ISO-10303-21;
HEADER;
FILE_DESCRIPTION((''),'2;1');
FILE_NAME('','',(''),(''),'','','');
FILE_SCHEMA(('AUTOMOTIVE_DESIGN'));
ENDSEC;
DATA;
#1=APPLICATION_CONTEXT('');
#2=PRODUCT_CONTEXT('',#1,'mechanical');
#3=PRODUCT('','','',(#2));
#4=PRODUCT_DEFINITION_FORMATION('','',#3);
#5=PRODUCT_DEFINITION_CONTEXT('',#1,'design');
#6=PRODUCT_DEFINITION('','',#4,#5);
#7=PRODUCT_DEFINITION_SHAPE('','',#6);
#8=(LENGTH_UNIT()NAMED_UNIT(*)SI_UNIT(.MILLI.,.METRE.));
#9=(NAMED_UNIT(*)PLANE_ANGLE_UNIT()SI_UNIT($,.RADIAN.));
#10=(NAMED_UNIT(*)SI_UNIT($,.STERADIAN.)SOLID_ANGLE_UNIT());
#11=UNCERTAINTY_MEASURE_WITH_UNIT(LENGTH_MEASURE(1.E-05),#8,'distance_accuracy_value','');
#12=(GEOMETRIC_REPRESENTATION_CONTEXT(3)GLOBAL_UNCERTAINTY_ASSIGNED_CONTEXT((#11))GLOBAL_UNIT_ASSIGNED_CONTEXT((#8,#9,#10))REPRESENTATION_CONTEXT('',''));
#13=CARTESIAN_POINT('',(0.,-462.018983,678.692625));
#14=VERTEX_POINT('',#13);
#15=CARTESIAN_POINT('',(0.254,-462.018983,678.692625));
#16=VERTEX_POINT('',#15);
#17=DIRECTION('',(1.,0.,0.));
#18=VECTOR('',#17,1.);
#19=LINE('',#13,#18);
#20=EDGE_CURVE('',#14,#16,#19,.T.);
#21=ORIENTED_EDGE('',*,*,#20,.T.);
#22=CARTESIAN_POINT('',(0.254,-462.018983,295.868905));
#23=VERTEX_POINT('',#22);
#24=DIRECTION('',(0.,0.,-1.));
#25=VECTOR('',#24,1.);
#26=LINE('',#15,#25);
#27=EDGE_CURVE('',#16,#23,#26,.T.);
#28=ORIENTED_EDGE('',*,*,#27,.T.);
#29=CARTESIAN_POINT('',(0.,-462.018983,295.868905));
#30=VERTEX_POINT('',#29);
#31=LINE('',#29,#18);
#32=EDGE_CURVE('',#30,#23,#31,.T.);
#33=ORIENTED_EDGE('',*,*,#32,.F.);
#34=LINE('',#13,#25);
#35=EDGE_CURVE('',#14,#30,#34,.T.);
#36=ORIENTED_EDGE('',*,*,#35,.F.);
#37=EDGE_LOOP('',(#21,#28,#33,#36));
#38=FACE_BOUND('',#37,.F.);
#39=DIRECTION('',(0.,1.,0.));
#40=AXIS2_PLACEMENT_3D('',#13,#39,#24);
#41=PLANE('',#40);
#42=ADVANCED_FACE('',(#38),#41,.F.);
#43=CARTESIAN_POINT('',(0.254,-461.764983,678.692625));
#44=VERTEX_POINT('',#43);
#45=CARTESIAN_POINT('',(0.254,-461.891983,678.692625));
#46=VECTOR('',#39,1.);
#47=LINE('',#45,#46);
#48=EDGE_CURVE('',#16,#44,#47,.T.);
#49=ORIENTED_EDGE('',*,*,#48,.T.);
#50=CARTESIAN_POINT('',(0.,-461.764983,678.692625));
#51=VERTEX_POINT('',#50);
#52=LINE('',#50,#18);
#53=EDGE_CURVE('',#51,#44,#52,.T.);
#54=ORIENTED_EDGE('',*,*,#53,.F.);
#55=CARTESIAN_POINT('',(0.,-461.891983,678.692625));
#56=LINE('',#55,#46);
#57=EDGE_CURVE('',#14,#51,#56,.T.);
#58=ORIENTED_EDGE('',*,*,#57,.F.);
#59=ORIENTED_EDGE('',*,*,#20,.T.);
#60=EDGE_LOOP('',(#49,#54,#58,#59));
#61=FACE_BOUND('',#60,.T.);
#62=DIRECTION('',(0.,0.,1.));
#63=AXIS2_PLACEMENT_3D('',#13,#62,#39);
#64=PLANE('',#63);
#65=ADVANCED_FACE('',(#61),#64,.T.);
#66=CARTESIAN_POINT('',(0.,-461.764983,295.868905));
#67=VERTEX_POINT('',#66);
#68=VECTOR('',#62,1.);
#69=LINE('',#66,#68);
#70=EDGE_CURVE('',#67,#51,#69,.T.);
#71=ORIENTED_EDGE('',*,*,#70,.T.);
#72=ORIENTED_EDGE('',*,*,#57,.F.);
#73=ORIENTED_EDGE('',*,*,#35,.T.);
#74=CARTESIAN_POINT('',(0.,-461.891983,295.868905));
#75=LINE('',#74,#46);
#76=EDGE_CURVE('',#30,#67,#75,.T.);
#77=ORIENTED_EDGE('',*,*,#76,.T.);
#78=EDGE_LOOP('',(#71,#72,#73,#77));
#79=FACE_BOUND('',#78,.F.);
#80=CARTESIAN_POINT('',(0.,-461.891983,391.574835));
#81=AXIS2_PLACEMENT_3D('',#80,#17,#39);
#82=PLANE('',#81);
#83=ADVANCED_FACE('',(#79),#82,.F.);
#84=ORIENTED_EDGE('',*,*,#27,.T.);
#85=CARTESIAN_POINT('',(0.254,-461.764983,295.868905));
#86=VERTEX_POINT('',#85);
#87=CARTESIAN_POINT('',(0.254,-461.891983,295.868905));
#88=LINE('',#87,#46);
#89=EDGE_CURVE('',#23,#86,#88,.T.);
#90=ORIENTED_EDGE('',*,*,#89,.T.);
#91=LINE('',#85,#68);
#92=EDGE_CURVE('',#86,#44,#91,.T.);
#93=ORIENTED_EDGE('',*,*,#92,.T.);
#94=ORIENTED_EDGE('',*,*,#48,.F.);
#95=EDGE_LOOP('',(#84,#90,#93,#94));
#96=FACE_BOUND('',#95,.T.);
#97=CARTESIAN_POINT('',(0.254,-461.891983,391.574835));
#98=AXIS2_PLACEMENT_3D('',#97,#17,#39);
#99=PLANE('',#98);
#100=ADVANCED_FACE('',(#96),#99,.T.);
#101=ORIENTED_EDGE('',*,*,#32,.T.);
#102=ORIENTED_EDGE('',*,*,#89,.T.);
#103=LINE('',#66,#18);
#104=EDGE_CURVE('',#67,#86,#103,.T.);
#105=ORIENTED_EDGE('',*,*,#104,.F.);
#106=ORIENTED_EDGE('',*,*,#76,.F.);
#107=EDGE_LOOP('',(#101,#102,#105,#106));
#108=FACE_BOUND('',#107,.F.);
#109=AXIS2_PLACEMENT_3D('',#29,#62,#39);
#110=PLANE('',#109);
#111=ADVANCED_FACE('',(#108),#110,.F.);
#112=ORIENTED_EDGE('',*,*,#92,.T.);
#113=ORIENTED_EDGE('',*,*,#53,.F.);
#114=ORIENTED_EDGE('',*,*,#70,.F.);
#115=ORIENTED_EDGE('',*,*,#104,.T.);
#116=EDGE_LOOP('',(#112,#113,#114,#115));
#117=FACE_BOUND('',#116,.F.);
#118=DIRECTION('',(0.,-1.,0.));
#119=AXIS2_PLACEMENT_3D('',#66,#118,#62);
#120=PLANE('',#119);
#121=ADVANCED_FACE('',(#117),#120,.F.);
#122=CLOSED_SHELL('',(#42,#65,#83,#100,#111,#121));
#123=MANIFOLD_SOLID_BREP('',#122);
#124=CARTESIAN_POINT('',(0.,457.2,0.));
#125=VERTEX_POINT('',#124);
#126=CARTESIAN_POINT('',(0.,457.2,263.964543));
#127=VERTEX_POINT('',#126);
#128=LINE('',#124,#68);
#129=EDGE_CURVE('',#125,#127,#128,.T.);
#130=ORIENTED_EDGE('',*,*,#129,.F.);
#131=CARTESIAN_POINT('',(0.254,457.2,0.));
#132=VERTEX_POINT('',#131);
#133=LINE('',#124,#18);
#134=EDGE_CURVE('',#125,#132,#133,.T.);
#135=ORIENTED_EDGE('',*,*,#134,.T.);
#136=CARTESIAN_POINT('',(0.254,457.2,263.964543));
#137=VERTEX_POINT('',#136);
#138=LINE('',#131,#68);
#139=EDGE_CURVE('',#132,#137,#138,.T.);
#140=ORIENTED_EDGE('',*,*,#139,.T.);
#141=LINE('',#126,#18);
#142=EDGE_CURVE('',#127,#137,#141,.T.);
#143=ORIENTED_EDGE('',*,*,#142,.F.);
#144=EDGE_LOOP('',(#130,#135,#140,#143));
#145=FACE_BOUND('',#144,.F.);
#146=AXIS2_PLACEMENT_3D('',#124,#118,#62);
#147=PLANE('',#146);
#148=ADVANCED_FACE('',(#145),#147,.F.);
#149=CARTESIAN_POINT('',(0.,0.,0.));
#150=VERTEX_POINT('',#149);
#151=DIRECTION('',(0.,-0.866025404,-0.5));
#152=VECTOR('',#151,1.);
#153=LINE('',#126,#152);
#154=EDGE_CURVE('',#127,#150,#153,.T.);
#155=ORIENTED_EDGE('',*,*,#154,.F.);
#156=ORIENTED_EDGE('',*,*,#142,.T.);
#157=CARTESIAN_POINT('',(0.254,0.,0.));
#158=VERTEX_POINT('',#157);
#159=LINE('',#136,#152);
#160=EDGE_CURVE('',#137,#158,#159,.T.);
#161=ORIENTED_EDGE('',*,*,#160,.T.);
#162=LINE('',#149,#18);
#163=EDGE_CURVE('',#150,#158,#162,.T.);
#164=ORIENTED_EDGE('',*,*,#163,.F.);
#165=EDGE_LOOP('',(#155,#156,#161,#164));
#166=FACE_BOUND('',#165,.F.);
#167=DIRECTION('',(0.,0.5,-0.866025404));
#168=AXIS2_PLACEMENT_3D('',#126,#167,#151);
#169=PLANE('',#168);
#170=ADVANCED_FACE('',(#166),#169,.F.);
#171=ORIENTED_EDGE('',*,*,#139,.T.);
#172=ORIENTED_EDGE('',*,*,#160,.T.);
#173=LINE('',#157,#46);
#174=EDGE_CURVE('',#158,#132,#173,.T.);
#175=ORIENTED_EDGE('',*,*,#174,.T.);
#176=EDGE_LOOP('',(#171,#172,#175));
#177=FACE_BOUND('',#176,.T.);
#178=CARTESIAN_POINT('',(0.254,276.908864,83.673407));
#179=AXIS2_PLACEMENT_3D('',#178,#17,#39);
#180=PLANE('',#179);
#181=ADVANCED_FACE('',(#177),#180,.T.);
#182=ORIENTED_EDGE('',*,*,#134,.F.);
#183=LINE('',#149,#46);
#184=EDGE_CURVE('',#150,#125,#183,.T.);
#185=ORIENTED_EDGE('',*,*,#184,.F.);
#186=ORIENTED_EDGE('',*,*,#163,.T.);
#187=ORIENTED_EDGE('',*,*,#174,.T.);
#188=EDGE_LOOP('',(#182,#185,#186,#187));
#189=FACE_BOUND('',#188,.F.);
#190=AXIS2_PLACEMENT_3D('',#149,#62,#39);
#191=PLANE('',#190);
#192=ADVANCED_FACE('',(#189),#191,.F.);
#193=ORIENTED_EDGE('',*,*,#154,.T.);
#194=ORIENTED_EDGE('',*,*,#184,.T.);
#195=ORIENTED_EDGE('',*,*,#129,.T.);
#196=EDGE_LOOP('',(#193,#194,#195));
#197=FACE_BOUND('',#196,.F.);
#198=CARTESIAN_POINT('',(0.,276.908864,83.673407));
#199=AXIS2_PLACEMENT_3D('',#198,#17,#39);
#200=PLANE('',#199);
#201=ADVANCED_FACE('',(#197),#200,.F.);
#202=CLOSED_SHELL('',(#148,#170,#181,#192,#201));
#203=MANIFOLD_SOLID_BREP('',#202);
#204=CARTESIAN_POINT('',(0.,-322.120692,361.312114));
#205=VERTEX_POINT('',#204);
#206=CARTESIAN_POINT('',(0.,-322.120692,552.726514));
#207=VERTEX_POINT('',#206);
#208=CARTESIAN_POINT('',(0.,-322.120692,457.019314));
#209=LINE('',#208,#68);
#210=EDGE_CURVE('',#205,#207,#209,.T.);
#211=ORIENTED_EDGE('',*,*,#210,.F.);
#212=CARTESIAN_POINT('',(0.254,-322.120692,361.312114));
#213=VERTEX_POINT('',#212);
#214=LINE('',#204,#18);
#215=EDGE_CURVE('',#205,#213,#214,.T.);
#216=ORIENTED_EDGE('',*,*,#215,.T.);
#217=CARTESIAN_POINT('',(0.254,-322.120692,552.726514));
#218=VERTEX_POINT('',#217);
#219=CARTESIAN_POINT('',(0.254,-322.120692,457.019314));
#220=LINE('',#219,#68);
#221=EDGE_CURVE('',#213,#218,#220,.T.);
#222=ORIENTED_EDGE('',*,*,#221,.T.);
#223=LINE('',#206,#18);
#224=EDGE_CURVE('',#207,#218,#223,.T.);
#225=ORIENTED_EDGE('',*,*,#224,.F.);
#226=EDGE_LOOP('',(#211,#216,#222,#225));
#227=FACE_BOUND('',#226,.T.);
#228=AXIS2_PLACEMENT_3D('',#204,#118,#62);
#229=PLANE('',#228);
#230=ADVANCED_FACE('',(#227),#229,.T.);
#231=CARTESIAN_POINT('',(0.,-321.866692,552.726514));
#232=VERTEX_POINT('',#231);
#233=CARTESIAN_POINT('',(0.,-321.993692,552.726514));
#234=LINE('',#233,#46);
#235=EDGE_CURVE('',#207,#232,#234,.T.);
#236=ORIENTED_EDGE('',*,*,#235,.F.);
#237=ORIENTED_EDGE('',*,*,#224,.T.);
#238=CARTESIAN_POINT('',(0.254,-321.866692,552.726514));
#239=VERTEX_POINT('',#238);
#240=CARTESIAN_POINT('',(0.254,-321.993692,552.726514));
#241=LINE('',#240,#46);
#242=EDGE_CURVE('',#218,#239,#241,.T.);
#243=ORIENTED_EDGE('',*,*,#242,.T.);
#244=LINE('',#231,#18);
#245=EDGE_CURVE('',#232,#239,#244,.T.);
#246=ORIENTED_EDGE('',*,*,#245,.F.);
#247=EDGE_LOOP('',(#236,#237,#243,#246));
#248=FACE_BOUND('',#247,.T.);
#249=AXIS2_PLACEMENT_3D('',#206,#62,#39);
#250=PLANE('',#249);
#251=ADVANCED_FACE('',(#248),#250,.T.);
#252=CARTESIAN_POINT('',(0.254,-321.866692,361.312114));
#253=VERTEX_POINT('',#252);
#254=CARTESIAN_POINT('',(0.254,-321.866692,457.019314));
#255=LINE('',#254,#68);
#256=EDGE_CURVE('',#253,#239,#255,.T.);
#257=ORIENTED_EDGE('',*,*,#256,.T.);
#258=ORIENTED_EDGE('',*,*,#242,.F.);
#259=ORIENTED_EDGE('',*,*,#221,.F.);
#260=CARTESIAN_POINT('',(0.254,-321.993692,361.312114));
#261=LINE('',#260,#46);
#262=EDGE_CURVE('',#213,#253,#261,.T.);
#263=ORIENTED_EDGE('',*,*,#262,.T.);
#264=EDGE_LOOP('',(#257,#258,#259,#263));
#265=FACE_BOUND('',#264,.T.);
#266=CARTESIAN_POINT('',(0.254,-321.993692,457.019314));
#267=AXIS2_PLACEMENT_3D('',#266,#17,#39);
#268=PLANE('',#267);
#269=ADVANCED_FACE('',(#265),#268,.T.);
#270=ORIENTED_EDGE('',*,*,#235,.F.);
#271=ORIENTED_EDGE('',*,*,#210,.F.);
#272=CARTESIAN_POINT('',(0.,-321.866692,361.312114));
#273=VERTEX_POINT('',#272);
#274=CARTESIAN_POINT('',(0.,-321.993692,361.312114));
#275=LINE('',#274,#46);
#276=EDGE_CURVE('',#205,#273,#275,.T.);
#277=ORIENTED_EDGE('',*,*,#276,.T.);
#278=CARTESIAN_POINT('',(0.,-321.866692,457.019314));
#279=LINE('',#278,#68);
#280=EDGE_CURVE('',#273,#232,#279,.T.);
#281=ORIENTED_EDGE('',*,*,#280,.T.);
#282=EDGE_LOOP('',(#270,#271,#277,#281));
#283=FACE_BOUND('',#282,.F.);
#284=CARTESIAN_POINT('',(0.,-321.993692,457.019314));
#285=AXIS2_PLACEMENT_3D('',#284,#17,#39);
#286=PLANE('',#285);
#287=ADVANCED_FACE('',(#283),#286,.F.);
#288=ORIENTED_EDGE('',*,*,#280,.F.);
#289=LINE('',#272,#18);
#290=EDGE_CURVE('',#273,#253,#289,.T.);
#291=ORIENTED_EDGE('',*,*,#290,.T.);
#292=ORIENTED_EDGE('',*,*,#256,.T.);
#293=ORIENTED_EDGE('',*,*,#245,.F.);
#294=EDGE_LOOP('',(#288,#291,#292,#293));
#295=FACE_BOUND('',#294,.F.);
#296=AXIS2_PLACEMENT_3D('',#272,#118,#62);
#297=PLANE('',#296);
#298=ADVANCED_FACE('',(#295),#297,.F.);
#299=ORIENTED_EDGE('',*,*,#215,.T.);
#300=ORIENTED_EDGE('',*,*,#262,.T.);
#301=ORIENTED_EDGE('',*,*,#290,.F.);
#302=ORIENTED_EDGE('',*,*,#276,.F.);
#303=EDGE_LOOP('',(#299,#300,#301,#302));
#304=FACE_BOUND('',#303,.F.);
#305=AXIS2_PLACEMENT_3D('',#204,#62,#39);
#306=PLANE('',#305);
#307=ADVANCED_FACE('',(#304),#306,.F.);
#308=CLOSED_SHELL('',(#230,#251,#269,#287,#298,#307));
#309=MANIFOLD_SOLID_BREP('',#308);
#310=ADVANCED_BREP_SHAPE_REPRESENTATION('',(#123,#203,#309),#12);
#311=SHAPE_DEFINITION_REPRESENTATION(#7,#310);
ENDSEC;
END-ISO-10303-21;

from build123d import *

# Parameters (mm, degrees)
F1_DEPTH = 0.254
F2_W     = 0.254
F2_H     = 191.41186
F3_DEPTH = 0.254
F4_W     = 0.254
F4_H     = 191.4144
F5_DEPTH = 0.254


with BuildPart() as f1:
    # F0 (on Right) → F1 (new body)
    with BuildSketch(Plane.YZ):
        Polygon((457.2, 263.964543), (0, 0), (457.2, 0), align=None)
    extrude(amount=F1_DEPTH)


with BuildPart() as f3:
    # F2 (on Right) → F3 (new body)
    with BuildSketch(Plane.YZ):
        with Locations((-461.891983, 391.574835)):
            Rectangle(F2_W, F2_H)
        with Locations((-461.891983, 582.986695)):
            Rectangle(F2_W, F2_H)
    extrude(amount=F3_DEPTH)


with BuildPart() as f5:
    # F4 (on Right) → F5 (new body)
    with BuildSketch(Plane.YZ):
        with Locations((-321.993692, 457.019314)):
            Rectangle(F4_W, F4_H)
    extrude(amount=F5_DEPTH)


solid = Compound([f1.part, f3.part, f5.part])
